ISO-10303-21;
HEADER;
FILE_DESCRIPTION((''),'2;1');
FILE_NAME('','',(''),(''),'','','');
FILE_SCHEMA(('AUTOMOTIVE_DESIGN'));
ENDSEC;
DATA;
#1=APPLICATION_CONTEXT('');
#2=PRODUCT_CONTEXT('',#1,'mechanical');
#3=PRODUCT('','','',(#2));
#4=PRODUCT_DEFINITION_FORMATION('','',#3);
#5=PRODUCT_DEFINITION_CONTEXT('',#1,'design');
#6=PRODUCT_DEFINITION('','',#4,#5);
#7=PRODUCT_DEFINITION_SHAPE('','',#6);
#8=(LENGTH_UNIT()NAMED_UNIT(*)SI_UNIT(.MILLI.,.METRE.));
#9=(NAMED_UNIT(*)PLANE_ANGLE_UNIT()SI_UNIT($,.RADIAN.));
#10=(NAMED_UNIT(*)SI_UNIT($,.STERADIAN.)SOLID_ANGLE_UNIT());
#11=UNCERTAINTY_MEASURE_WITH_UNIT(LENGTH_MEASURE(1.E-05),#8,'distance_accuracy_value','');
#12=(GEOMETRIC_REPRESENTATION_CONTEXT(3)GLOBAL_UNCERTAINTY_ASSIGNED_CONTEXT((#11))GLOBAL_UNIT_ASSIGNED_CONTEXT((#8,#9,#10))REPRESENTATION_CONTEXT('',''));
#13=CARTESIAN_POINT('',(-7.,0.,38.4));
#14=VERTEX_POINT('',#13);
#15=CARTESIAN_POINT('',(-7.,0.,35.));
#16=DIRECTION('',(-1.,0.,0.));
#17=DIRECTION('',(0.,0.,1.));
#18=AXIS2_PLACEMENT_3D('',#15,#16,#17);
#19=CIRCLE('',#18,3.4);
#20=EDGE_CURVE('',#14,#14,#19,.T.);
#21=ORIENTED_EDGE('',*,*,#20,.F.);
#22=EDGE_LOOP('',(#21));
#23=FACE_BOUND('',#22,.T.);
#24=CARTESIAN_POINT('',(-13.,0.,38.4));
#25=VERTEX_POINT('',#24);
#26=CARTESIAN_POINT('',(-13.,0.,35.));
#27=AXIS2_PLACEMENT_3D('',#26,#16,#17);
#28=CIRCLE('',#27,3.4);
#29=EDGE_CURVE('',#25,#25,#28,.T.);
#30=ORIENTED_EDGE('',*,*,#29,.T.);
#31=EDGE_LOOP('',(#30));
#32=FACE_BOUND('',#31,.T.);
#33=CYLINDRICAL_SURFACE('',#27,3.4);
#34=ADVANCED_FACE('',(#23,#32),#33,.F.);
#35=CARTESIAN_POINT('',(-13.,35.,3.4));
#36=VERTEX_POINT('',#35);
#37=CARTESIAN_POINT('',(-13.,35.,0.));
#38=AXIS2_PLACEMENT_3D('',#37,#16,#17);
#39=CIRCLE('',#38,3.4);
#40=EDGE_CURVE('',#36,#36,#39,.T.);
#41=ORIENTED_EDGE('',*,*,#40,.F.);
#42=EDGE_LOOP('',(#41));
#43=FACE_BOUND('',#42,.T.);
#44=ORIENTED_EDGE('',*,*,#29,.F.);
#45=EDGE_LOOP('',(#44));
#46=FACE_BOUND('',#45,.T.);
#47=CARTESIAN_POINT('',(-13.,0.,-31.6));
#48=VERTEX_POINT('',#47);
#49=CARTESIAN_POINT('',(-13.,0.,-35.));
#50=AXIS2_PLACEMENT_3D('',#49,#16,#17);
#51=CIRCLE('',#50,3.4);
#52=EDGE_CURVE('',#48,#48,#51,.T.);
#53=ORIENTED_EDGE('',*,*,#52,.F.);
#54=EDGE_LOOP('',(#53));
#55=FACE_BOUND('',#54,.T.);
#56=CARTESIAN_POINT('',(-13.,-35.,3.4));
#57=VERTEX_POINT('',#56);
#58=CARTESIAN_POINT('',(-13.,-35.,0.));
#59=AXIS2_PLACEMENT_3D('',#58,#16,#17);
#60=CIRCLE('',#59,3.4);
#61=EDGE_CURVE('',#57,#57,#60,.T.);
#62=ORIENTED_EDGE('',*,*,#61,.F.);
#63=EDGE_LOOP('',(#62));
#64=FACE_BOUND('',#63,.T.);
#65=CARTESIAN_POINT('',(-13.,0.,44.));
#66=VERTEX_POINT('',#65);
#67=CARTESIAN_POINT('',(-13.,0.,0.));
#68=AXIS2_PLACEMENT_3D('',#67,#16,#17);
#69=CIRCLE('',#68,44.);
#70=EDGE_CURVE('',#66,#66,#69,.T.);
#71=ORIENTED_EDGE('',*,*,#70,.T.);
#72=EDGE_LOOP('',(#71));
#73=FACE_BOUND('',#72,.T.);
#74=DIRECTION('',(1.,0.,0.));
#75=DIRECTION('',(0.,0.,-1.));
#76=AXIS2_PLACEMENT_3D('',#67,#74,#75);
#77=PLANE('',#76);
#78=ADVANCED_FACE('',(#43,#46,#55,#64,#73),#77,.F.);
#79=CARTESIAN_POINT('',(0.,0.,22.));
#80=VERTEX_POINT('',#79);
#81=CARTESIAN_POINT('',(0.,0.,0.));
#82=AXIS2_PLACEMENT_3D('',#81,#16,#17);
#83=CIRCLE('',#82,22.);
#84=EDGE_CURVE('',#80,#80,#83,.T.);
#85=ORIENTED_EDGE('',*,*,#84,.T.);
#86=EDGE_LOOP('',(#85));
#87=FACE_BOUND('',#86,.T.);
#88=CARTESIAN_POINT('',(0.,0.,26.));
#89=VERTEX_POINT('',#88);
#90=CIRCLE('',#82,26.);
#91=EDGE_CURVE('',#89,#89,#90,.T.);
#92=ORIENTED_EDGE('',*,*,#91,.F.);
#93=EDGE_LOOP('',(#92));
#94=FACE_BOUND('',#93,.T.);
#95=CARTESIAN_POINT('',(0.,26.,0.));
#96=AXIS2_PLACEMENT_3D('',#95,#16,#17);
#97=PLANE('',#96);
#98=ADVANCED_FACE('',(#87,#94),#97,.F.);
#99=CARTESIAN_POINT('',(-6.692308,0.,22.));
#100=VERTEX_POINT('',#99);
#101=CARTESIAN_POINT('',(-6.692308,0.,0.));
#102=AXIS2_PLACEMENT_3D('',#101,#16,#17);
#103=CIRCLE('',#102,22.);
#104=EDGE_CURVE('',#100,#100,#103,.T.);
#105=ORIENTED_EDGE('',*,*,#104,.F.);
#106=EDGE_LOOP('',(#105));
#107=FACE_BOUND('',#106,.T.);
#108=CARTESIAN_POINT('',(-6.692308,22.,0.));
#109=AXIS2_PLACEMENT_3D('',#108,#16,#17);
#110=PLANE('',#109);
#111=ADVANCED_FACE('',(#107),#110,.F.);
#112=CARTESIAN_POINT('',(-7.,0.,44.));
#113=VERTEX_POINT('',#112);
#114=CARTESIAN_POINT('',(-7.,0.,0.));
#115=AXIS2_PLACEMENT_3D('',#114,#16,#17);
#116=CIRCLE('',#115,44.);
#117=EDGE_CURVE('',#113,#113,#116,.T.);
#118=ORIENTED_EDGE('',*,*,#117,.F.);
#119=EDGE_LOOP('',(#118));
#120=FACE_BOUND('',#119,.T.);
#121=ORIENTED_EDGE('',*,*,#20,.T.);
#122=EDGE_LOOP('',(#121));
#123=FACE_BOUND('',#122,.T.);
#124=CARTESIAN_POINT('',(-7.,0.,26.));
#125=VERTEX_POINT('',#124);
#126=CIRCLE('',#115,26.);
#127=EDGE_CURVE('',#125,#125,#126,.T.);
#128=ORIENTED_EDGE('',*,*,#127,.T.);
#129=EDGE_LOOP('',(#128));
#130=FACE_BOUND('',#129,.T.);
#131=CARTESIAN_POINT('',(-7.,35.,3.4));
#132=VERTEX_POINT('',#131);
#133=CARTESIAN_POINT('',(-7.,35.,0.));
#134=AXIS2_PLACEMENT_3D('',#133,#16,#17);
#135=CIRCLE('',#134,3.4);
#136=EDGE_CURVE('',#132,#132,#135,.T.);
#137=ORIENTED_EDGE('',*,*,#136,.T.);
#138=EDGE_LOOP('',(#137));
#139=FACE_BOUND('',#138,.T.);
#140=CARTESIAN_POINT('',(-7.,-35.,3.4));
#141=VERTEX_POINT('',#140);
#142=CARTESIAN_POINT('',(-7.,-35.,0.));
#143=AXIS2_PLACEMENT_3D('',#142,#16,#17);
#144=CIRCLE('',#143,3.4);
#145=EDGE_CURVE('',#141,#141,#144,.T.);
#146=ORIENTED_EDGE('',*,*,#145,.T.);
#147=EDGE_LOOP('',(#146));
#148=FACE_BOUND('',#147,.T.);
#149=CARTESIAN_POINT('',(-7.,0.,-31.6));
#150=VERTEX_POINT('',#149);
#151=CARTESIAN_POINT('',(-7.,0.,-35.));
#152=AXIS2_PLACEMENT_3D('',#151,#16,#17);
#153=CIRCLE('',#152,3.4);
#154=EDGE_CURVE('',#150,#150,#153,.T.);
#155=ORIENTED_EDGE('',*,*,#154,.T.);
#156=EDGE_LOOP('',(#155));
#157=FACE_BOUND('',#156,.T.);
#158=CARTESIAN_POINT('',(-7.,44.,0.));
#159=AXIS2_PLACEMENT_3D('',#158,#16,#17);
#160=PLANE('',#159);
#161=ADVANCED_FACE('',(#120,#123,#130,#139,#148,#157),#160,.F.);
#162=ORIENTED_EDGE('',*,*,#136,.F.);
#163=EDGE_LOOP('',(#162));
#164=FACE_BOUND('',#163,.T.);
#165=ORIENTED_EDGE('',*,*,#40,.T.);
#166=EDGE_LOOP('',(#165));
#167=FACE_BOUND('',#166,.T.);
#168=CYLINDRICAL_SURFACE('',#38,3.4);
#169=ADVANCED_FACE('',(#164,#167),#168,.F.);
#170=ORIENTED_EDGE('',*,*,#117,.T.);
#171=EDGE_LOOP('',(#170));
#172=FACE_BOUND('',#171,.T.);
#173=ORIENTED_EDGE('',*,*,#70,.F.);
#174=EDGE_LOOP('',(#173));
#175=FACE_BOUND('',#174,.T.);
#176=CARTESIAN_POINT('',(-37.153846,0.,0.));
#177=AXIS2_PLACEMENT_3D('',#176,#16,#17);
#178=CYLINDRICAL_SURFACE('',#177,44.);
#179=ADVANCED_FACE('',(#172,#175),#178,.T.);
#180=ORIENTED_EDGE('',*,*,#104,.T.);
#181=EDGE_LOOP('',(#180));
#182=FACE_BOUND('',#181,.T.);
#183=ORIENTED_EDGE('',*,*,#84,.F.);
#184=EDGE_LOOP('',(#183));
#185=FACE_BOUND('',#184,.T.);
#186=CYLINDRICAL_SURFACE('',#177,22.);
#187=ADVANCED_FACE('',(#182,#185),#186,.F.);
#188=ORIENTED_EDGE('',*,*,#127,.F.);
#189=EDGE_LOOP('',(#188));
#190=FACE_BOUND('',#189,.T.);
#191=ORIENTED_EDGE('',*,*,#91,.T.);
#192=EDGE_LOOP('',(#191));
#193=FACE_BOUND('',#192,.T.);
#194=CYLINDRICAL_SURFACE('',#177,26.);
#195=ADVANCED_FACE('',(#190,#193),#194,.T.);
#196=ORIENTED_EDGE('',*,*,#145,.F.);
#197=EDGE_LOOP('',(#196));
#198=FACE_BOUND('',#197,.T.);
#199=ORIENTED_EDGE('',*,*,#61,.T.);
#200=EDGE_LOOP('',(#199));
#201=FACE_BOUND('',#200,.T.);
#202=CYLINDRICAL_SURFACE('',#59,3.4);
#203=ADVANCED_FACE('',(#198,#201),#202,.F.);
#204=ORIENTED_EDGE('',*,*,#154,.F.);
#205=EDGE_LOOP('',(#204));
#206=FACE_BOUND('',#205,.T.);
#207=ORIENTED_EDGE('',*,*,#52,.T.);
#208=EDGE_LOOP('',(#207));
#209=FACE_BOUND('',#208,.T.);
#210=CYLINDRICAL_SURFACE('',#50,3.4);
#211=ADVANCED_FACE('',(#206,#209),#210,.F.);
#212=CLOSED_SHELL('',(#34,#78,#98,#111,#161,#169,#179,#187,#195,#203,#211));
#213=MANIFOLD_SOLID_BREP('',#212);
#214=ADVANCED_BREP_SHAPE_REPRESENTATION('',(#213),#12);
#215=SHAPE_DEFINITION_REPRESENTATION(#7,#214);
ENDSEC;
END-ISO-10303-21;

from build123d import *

# Parameters (mm, degrees)
M8_TAPPED_HOLE1_D     = 6.8
M8_TAPPED_HOLE1_DEPTH = 16
M8_TAPPED_HOLE1_TIP   = 2.042926105


with BuildPart() as part:
    # Sketch1 → Revolve1 (revolve)
    with BuildSketch(Plane.XY, mode=Mode.PRIVATE) as revolve1_sk:
        Polygon((-13, 0), (-13, 44), (-7, 44), (-7, 26), (0, 26), (0, 22), (-6.692307692, 22), (-6.692307692, 0), align=None)
    revolve(revolve1_sk.sketch.rotate(Axis((-37.153846154, 0, 0), (1, 0, 0)), 90), axis=Axis((-37.153846154, 0, 0), (1, 0, 0)))

    # M8 Tapped Hole1
    with Locations(Plane(origin=(-13, 0, -35), x_dir=(0, 0, -1), z_dir=(-1, 0, 0))):
        with Locations((0, 0), (-35, 35), (-70, 0), (-35, -35)):
            Hole(M8_TAPPED_HOLE1_D / 2, depth=M8_TAPPED_HOLE1_DEPTH)
            with Locations((0, 0, -(M8_TAPPED_HOLE1_DEPTH + M8_TAPPED_HOLE1_TIP / 2))):  # 118° drill point
                Cone(0, M8_TAPPED_HOLE1_D / 2, M8_TAPPED_HOLE1_TIP, mode=Mode.SUBTRACT)


solid = part.part
